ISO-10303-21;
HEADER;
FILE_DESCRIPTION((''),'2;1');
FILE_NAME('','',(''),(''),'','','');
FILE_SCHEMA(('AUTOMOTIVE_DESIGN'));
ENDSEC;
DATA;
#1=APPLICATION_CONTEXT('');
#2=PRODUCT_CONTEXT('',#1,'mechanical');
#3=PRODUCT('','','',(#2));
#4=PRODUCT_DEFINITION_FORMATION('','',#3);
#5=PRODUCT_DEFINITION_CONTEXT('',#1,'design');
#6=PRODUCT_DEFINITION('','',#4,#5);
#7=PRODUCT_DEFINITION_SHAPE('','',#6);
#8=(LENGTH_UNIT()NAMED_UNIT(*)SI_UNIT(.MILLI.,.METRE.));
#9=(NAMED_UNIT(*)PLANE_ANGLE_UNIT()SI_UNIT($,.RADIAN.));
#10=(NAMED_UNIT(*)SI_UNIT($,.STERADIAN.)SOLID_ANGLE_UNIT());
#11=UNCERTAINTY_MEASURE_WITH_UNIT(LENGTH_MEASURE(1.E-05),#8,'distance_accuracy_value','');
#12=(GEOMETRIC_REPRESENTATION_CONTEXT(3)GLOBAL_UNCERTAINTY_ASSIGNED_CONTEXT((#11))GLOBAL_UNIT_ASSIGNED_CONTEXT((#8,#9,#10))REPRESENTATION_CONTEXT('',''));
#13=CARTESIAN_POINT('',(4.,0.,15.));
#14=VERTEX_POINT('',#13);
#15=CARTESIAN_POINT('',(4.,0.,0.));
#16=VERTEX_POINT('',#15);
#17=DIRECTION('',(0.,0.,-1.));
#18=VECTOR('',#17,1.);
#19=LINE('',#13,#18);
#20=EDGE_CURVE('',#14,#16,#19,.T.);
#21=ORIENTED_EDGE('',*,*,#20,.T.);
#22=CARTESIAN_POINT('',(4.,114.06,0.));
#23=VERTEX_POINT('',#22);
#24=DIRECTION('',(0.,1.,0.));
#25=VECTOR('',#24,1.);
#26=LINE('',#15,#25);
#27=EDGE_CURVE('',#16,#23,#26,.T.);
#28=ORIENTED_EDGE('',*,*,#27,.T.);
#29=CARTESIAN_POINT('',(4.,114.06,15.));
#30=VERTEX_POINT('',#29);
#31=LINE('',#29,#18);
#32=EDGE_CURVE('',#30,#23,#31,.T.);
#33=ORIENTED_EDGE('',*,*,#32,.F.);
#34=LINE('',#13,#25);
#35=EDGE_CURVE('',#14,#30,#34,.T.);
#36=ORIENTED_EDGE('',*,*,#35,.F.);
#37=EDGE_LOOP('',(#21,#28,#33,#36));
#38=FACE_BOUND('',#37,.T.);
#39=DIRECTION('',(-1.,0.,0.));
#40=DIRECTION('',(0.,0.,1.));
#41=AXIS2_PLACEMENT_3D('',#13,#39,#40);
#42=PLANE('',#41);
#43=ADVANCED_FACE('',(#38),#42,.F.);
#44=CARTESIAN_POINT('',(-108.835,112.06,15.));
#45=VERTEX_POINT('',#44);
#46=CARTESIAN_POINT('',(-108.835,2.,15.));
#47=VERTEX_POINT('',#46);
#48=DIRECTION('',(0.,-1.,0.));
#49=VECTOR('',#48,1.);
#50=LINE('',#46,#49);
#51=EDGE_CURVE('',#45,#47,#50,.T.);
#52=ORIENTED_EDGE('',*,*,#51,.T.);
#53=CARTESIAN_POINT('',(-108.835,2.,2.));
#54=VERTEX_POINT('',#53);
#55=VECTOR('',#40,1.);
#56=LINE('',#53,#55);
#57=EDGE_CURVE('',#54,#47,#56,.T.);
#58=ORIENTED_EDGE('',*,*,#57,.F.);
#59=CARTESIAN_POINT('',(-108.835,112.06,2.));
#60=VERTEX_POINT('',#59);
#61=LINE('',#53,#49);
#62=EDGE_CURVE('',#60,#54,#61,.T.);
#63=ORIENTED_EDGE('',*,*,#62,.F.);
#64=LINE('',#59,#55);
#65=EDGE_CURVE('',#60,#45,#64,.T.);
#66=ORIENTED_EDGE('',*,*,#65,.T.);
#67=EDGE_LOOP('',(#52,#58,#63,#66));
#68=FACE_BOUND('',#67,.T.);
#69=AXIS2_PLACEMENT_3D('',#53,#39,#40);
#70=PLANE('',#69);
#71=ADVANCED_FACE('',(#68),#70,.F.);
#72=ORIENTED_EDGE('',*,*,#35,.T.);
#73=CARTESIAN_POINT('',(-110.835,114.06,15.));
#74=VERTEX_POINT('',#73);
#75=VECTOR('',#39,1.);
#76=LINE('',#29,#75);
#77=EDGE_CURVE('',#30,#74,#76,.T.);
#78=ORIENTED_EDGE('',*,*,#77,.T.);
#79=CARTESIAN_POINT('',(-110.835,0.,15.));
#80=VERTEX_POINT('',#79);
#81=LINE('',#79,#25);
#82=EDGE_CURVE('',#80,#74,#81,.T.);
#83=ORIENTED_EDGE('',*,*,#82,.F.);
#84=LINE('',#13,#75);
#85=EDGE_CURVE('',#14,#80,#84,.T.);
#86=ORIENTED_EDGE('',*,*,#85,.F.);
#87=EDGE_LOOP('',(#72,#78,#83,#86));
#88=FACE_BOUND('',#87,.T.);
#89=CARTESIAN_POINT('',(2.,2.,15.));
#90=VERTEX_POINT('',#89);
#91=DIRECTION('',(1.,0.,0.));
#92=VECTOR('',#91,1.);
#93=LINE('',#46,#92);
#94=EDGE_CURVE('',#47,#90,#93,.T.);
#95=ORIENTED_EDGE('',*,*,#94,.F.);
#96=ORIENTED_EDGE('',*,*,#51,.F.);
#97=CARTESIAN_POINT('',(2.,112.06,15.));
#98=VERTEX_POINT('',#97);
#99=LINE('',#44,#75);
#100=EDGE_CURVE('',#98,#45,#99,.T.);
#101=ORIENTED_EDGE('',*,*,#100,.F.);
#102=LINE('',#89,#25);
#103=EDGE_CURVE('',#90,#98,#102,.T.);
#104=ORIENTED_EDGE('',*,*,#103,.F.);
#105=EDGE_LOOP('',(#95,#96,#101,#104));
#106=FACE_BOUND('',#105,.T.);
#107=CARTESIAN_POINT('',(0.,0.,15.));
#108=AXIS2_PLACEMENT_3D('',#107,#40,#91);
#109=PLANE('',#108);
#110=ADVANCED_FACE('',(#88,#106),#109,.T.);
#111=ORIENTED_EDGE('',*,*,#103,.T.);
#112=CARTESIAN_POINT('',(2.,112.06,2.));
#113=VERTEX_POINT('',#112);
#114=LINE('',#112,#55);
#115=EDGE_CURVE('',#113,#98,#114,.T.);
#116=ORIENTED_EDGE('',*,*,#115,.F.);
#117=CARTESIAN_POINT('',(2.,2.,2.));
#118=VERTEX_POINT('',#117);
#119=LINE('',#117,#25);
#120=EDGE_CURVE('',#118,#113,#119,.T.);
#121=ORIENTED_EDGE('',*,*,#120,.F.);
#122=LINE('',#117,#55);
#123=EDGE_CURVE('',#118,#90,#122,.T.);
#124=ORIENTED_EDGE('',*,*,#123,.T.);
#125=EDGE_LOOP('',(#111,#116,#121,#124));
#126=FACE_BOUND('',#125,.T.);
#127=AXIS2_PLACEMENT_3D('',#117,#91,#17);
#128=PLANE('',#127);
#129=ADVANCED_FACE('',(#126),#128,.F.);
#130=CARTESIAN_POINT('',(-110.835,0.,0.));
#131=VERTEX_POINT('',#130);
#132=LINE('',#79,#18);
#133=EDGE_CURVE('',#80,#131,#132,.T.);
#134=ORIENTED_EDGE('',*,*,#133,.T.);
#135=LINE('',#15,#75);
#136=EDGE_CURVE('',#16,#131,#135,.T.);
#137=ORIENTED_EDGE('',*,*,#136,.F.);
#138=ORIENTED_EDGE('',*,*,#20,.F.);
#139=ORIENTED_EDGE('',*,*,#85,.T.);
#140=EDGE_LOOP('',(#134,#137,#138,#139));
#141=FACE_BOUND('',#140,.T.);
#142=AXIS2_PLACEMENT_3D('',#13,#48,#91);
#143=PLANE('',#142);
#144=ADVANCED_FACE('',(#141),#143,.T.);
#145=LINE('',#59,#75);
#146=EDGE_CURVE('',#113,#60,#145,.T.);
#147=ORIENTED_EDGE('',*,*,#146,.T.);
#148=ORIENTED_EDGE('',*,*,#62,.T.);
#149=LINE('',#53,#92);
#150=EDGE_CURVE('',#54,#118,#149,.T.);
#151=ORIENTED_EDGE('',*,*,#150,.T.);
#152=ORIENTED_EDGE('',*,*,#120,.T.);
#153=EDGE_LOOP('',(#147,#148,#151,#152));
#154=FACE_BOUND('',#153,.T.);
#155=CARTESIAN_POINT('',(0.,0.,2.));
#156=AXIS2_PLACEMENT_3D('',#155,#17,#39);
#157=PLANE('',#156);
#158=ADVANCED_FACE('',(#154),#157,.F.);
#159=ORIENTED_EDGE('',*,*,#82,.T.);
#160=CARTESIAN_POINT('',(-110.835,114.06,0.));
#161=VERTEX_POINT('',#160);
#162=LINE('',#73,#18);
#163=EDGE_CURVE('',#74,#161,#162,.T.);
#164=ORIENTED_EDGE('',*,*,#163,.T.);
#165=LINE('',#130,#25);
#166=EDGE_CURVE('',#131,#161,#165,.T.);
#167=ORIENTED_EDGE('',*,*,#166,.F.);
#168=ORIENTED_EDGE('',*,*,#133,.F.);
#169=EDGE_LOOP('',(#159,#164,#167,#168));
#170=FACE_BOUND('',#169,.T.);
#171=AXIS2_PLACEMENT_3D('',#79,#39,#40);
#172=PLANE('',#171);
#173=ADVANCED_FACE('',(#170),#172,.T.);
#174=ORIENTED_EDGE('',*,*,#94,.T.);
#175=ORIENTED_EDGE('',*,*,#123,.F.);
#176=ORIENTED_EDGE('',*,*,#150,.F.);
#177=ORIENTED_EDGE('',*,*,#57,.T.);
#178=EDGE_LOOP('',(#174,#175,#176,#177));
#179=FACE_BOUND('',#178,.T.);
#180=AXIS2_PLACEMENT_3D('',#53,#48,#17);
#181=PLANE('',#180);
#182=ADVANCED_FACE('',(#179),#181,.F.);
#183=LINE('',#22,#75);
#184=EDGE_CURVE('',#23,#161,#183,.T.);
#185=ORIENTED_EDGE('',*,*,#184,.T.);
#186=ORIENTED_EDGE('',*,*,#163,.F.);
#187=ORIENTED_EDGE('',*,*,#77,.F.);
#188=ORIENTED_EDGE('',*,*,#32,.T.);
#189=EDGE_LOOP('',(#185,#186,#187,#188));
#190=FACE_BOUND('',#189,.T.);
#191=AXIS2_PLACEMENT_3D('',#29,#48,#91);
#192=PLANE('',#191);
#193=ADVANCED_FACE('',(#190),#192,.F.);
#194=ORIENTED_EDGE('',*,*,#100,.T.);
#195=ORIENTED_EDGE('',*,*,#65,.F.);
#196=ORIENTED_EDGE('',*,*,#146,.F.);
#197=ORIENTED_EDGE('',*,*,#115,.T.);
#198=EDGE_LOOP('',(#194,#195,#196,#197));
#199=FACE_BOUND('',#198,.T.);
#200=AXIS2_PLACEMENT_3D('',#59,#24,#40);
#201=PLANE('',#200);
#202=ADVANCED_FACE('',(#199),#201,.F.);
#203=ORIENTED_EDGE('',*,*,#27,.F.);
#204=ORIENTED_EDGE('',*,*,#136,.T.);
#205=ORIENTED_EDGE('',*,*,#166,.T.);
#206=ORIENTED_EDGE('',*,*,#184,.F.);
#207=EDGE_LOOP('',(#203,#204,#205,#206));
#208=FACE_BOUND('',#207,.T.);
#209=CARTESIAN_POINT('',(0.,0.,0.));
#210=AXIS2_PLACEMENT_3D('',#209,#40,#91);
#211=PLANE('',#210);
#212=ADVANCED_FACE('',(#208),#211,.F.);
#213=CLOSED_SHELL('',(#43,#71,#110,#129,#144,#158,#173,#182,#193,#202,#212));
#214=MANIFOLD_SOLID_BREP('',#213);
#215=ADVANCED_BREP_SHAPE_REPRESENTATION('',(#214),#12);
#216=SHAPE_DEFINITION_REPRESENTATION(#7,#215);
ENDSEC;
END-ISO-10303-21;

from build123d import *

# Parameters (mm, degrees)
SKICA1_W                 = 114.835
SKICA1_H                 = 114.06
P_IDAT_VYSUNUT_M1_DEPTH  = 15
SKICA2_W                 = 110.835
SKICA2_H                 = 110.06
ODEBRAT_VYSUNUT_M1_DEPTH = 13


with BuildPart() as part:
    # Skica1 → Přidat vysunutím1 (new body)
    with BuildSketch(Plane.XY):
        with Locations((-53.4175, 57.03)):
            Rectangle(SKICA1_W, SKICA1_H)
    extrude(amount=P_IDAT_VYSUNUT_M1_DEPTH)

    # Skica2 → Odebrat vysunutím1 (cut)
    with BuildSketch(Plane.XY.offset(15)):
        with Locations((-53.4175, 57.03)):
            Rectangle(SKICA2_W, SKICA2_H)
    extrude(amount=-ODEBRAT_VYSUNUT_M1_DEPTH, mode=Mode.SUBTRACT)


solid = part.part
